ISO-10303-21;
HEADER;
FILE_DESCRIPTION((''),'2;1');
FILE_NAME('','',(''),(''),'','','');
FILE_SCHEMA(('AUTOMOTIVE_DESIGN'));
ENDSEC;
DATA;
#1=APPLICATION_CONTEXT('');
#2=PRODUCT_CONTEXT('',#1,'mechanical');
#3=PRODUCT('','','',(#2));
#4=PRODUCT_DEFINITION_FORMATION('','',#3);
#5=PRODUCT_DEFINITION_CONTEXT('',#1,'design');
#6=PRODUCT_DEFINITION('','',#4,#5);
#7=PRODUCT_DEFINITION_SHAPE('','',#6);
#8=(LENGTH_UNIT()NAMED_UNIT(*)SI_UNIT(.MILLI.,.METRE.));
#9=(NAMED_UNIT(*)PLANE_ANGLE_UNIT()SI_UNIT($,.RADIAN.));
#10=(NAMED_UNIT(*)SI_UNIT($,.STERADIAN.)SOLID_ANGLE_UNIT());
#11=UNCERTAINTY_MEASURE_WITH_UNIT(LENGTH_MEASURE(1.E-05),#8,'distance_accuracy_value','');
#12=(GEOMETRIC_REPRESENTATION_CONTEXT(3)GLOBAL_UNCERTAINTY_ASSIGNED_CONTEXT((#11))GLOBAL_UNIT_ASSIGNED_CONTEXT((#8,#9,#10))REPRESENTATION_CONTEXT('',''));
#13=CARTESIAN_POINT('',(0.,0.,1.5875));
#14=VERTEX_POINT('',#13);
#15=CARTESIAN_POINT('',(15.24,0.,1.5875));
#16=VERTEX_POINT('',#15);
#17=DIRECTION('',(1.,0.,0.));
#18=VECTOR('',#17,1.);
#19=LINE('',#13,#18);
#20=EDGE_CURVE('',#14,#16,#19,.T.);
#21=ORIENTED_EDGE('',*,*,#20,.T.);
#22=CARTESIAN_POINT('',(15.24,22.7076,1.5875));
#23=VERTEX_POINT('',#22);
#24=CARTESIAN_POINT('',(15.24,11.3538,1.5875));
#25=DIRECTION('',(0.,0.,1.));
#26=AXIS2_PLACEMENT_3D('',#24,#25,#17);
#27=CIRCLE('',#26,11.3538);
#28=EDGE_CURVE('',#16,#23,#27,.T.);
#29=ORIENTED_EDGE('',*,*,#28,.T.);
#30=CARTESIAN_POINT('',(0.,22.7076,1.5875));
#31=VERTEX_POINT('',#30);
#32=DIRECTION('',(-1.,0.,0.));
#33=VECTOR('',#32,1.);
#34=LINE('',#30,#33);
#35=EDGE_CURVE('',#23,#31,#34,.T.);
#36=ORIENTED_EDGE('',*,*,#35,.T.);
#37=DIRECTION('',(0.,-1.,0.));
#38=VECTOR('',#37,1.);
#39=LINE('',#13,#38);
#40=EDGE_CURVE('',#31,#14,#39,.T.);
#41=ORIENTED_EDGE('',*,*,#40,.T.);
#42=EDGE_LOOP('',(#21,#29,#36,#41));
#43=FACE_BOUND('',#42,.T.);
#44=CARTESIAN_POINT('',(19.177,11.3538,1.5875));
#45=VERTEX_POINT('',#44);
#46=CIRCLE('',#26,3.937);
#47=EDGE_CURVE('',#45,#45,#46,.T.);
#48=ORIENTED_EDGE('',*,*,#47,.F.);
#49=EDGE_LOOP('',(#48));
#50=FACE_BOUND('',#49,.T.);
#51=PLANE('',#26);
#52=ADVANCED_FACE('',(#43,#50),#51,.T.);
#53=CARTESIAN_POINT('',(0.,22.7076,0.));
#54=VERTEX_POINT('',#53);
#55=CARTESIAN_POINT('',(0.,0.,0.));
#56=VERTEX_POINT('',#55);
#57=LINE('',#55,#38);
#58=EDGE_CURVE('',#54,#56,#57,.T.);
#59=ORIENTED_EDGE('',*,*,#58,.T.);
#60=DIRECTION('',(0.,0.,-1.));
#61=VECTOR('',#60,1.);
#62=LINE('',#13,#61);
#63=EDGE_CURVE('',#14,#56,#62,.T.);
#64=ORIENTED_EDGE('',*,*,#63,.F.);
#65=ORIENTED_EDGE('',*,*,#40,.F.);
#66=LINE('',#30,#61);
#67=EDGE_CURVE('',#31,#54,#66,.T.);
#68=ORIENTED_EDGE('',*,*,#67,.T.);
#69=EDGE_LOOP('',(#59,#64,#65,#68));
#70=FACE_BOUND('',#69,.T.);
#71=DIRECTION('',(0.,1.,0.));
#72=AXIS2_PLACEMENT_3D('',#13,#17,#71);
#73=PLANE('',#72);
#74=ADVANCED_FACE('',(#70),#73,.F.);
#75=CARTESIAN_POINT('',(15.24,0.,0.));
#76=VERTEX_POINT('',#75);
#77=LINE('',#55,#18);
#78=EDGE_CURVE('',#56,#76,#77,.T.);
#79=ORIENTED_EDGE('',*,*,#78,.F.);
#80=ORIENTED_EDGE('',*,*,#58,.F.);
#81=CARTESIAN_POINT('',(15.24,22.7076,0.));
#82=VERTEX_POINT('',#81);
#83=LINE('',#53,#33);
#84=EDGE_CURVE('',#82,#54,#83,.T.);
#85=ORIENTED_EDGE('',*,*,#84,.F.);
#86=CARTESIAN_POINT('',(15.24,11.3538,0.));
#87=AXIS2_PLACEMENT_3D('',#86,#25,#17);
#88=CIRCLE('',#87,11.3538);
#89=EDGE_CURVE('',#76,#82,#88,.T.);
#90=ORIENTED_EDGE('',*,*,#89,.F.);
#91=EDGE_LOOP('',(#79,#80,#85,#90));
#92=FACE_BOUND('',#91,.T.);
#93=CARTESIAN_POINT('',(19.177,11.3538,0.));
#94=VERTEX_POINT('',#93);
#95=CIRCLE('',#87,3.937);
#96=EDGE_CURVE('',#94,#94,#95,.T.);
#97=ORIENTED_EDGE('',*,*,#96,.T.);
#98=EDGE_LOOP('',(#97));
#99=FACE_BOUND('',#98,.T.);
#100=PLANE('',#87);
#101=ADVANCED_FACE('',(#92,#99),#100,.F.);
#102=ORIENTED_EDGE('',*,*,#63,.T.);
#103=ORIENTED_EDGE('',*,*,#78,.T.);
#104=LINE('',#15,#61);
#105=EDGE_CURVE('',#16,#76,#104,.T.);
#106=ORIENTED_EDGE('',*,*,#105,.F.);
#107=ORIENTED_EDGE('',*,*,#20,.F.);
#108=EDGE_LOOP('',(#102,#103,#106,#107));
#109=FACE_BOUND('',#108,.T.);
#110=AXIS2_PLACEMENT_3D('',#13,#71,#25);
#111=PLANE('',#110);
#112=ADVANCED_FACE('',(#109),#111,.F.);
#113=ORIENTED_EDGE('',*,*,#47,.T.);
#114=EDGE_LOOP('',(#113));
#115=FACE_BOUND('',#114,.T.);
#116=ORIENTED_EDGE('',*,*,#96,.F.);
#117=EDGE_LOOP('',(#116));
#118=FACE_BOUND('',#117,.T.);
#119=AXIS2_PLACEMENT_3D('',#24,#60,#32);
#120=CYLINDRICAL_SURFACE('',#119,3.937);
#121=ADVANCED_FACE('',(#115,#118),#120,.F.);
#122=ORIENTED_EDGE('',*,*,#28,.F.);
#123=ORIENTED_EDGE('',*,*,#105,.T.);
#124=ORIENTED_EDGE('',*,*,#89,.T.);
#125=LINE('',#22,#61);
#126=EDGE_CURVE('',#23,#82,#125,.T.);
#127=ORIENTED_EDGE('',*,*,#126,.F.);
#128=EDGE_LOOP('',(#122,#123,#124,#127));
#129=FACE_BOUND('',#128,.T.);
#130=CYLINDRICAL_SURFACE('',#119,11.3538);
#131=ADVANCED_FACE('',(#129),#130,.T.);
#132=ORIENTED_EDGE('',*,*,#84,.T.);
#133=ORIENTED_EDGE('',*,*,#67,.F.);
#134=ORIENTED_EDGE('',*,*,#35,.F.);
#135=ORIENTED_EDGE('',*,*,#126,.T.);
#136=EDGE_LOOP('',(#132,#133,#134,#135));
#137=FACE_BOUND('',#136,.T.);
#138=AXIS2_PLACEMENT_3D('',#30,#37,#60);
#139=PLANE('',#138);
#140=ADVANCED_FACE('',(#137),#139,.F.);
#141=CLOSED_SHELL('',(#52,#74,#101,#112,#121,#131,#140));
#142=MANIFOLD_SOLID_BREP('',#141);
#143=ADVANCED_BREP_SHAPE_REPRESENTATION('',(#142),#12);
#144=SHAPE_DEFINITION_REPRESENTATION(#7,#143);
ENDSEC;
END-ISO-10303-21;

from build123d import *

# Parameters (mm, degrees)
SKETCH2_R           = 3.937
BOSS_EXTRUDE1_DEPTH = 1.5875


with BuildPart() as part:
    # Sketch2 → Boss-Extrude1 (new body)
    with BuildSketch(Plane.XY):
        with BuildLine():
            Line((0, 0), (15.24, 0))
            ThreePointArc((15.24, 0), (26.5938, 11.3538), (15.24, 22.7076))
            Line((15.24, 22.7076), (0, 22.7076))
            Line((0, 22.7076), (0, 0))
        make_face()
        with Locations((15.24, 11.3538)):
            Circle(SKETCH2_R, mode=Mode.SUBTRACT)
    extrude(amount=BOSS_EXTRUDE1_DEPTH)


solid = part.part
